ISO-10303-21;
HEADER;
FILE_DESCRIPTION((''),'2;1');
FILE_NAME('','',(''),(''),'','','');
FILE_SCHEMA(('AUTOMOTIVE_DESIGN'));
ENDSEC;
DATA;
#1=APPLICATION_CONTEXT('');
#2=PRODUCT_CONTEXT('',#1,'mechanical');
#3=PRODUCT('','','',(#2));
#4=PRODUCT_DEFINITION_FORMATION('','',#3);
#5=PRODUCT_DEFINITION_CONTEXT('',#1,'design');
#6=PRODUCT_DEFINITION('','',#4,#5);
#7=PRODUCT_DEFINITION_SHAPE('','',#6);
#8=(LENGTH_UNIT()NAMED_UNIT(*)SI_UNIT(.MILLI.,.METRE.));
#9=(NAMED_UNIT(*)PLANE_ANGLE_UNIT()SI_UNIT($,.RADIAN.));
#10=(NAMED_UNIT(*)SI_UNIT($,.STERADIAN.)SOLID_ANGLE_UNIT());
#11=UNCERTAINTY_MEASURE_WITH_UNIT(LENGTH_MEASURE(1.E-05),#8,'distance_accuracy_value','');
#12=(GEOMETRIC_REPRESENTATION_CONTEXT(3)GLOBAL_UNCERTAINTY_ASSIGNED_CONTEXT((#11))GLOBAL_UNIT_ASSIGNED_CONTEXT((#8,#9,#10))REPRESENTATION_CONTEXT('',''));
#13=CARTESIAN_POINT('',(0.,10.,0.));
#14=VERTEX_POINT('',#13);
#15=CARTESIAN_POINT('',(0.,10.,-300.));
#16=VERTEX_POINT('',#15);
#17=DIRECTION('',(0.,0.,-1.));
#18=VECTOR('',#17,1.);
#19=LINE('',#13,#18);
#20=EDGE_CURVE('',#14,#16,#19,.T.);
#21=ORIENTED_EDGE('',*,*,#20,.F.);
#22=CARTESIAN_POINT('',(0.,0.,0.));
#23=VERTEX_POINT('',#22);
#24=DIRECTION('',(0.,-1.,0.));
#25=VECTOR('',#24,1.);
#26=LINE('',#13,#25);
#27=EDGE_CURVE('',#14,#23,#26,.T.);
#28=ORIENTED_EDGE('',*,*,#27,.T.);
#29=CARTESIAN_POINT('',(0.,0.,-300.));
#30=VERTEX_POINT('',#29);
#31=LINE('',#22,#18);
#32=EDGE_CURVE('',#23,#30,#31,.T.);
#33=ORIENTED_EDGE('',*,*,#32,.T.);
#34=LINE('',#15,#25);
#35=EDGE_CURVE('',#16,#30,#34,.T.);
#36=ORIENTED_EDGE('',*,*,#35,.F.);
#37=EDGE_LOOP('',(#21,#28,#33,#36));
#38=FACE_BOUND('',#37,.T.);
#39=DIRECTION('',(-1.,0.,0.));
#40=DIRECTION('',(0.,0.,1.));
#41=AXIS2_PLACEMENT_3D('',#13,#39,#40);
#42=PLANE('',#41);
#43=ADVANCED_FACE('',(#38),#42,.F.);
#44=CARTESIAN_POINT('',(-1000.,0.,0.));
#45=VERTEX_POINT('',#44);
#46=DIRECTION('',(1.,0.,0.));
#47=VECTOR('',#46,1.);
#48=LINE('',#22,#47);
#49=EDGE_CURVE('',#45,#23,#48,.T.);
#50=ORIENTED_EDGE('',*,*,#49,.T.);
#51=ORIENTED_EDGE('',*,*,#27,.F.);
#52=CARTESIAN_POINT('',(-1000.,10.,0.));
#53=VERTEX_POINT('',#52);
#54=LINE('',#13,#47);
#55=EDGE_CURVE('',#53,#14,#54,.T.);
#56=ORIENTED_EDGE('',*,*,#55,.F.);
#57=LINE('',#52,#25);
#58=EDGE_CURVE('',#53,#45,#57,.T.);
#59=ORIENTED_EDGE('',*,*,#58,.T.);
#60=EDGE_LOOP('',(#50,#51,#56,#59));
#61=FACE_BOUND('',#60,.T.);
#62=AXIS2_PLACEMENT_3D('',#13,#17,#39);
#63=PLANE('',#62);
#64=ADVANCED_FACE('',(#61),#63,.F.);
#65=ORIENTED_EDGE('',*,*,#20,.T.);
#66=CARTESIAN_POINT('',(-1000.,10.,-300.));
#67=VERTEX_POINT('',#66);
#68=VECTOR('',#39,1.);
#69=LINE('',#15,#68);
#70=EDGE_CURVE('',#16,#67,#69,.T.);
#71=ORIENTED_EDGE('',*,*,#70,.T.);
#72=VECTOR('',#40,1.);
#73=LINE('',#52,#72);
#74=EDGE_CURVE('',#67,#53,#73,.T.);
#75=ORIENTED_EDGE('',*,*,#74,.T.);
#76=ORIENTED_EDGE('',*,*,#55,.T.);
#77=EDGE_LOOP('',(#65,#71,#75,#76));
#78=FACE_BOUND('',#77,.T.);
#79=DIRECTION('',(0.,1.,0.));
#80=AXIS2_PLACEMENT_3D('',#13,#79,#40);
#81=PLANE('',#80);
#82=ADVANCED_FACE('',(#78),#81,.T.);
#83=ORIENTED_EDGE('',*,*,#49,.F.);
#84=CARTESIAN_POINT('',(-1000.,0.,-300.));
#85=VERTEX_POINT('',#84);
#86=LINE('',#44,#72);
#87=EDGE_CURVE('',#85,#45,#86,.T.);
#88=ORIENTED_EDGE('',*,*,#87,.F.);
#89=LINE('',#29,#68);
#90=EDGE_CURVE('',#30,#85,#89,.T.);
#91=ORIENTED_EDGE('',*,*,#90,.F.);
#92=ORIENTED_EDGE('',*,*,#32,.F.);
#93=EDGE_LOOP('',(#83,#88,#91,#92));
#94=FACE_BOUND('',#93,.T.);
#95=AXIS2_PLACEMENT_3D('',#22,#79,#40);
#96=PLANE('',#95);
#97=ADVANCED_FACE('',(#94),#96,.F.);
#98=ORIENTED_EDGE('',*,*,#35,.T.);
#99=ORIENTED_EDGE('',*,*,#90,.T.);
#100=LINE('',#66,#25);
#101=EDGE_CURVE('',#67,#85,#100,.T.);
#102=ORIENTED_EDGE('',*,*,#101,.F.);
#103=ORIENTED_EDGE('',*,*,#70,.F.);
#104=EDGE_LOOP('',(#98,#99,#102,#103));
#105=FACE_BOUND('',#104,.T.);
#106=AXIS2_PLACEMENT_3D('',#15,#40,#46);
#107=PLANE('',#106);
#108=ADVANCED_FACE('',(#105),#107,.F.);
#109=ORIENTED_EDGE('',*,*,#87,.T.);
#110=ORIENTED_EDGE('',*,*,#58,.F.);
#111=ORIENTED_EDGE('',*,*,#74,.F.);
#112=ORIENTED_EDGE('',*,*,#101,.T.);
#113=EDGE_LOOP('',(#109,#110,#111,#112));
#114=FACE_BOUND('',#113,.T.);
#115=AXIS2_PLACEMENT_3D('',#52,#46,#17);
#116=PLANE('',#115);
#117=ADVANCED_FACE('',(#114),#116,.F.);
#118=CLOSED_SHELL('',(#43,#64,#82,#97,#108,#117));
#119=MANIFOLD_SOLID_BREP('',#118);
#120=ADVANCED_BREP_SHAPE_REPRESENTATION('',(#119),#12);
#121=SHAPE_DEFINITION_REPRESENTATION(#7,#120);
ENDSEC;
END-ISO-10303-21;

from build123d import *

# Parameters (mm, degrees)
SKETCH1_W      = 1000
SKETCH1_H      = 300
EXTRUDE1_DEPTH = 10


with BuildPart() as part:
    # Sketch1 → Extrude1 (new body)
    with BuildSketch(Plane(origin=(0, 0, 0), x_dir=(1, 0, 0), z_dir=(0, 1, 0))):
        with Locations((-500, 150)):
            Rectangle(SKETCH1_W, SKETCH1_H)
    extrude(amount=EXTRUDE1_DEPTH)


solid = part.part
